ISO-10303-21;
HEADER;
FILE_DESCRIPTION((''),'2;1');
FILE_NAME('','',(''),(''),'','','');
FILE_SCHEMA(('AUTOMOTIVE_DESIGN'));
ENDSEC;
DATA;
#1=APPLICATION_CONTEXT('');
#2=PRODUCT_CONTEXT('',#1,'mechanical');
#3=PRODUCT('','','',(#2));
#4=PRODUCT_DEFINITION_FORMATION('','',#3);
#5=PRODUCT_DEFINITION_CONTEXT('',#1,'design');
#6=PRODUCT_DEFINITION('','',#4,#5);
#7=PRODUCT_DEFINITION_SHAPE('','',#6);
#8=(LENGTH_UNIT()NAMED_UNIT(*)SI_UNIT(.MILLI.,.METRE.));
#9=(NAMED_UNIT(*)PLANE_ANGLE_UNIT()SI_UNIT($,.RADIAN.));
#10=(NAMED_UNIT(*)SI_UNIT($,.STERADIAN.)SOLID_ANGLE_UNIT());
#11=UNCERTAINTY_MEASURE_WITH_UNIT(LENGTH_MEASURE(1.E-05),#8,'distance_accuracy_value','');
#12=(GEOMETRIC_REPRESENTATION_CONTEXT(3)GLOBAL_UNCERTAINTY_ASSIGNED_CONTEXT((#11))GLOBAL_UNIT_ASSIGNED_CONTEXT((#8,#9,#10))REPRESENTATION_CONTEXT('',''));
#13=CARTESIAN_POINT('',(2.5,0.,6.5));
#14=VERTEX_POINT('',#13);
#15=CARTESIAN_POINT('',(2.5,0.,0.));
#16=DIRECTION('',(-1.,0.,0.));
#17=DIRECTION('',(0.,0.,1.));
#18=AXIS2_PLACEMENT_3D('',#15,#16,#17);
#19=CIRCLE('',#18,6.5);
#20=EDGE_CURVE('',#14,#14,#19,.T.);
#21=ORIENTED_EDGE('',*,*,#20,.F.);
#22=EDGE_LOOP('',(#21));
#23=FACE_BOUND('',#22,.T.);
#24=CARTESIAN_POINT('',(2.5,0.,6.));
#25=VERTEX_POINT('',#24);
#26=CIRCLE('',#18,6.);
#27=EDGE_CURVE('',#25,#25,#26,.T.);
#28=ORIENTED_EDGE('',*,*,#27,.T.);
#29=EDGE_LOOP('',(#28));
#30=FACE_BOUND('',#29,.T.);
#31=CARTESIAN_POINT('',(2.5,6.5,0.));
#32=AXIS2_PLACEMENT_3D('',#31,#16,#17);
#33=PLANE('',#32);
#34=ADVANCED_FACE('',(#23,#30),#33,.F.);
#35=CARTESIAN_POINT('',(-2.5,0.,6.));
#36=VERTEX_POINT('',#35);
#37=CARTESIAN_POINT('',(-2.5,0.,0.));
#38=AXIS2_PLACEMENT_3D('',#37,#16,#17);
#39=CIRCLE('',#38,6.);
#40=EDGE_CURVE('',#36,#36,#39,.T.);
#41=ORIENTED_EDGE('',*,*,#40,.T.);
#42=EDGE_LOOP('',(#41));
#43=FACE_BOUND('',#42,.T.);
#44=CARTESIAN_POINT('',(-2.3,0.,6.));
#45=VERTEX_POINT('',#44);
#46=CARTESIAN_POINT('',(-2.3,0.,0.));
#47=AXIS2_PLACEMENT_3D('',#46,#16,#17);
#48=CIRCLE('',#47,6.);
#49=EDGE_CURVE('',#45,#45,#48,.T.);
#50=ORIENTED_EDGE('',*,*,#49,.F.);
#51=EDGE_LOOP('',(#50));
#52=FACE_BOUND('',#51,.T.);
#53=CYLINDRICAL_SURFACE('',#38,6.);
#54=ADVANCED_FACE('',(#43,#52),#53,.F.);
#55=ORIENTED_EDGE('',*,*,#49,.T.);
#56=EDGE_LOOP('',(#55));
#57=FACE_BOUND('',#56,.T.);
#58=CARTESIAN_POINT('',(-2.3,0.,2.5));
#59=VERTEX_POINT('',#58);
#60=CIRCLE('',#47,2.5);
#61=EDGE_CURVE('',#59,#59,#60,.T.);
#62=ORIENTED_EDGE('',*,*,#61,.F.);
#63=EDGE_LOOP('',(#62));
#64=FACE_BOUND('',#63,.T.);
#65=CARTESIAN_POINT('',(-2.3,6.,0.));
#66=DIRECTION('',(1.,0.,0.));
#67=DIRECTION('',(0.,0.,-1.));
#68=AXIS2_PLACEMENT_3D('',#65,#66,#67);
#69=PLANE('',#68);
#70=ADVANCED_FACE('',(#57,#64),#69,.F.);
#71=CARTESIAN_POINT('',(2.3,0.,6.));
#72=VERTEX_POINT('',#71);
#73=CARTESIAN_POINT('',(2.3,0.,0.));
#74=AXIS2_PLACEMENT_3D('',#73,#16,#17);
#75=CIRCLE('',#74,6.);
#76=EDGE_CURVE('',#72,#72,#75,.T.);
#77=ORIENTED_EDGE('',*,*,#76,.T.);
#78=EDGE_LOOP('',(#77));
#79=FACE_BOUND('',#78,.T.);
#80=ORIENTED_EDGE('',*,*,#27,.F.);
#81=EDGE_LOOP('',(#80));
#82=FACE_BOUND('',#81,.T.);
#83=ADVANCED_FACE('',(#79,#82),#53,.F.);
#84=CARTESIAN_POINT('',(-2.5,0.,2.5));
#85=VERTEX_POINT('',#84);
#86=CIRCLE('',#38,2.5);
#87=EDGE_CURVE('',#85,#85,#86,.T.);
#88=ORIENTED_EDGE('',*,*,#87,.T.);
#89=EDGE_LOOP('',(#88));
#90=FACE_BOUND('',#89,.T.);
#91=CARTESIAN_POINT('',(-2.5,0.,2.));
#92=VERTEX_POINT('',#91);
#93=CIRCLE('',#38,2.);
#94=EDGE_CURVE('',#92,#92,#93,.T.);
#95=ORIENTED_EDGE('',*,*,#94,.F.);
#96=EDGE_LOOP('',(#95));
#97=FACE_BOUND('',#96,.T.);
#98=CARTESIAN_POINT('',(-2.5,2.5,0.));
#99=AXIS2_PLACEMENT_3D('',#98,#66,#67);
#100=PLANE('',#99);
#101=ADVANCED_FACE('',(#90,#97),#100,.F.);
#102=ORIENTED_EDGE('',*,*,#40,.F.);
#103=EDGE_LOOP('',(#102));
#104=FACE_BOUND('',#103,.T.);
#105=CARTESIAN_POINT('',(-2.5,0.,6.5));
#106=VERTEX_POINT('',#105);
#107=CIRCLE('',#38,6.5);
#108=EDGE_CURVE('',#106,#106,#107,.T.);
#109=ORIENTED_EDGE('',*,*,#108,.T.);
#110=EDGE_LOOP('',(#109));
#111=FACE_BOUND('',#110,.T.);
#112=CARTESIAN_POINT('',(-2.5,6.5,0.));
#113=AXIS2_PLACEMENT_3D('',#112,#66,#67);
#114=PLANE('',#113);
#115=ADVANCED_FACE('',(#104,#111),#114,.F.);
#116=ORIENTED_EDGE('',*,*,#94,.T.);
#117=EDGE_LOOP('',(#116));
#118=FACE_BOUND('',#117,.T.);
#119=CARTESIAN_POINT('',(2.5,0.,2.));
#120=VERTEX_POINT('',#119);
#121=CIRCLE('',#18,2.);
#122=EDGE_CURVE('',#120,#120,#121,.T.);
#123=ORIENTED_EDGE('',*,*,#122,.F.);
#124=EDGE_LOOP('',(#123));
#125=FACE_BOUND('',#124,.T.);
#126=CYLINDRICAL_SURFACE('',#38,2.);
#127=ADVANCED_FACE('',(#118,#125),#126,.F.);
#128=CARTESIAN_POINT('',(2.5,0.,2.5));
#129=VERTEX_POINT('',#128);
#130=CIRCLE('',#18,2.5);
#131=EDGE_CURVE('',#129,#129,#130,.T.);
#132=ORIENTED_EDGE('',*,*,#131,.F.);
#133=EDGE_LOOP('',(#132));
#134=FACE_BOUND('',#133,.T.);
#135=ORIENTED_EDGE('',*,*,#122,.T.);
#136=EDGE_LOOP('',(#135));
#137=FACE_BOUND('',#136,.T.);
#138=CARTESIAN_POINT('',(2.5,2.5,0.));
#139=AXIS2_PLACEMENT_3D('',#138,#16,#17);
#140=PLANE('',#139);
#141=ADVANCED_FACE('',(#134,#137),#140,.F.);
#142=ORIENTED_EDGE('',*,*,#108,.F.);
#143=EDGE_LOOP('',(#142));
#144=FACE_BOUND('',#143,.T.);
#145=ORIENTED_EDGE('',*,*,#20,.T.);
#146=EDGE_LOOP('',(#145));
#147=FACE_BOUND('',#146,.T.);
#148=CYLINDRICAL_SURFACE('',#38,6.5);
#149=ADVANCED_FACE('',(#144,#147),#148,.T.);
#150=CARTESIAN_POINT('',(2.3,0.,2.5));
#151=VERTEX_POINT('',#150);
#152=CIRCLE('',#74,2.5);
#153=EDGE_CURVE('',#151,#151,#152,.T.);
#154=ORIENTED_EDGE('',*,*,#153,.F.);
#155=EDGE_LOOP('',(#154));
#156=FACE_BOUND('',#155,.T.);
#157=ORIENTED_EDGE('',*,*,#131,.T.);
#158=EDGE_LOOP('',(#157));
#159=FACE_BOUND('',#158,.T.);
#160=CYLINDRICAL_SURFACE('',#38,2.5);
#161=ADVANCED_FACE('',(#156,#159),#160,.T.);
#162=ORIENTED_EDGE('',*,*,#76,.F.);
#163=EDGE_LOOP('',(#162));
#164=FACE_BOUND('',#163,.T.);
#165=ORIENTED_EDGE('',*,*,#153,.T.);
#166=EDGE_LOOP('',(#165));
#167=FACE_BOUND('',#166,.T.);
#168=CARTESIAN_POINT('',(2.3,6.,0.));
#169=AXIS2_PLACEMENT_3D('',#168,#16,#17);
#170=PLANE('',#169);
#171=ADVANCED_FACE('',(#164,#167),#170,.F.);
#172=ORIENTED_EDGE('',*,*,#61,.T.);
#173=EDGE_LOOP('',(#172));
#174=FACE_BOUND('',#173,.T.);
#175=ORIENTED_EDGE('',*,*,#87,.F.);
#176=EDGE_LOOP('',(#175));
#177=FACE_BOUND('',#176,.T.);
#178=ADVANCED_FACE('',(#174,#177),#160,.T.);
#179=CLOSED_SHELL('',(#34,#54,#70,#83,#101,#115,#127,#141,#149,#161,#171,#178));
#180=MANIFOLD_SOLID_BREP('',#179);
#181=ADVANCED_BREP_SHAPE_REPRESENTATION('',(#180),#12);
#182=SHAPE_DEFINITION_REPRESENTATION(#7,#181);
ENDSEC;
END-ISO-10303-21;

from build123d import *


with BuildPart() as part:
    # Esquisse1 → Révolution1 (revolve)
    with BuildSketch(Plane.XY, mode=Mode.PRIVATE) as r_volution1_sk:
        Polygon((-2.5, 2.5), (-2.3, 2.5), (-2.3, 6), (-2.5, 6), (-2.5, 6.5), (2.5, 6.5), (2.5, 6), (2.3, 6), (2.3, 2.5), (2.5, 2.5), (2.5, 2), (-2.5, 2), align=None)
    revolve(r_volution1_sk.sketch.rotate(Axis((-2.5, 0, 0), (1, 0, 0)), 90), axis=Axis((-2.5, 0, 0), (1, 0, 0)))


solid = part.part
